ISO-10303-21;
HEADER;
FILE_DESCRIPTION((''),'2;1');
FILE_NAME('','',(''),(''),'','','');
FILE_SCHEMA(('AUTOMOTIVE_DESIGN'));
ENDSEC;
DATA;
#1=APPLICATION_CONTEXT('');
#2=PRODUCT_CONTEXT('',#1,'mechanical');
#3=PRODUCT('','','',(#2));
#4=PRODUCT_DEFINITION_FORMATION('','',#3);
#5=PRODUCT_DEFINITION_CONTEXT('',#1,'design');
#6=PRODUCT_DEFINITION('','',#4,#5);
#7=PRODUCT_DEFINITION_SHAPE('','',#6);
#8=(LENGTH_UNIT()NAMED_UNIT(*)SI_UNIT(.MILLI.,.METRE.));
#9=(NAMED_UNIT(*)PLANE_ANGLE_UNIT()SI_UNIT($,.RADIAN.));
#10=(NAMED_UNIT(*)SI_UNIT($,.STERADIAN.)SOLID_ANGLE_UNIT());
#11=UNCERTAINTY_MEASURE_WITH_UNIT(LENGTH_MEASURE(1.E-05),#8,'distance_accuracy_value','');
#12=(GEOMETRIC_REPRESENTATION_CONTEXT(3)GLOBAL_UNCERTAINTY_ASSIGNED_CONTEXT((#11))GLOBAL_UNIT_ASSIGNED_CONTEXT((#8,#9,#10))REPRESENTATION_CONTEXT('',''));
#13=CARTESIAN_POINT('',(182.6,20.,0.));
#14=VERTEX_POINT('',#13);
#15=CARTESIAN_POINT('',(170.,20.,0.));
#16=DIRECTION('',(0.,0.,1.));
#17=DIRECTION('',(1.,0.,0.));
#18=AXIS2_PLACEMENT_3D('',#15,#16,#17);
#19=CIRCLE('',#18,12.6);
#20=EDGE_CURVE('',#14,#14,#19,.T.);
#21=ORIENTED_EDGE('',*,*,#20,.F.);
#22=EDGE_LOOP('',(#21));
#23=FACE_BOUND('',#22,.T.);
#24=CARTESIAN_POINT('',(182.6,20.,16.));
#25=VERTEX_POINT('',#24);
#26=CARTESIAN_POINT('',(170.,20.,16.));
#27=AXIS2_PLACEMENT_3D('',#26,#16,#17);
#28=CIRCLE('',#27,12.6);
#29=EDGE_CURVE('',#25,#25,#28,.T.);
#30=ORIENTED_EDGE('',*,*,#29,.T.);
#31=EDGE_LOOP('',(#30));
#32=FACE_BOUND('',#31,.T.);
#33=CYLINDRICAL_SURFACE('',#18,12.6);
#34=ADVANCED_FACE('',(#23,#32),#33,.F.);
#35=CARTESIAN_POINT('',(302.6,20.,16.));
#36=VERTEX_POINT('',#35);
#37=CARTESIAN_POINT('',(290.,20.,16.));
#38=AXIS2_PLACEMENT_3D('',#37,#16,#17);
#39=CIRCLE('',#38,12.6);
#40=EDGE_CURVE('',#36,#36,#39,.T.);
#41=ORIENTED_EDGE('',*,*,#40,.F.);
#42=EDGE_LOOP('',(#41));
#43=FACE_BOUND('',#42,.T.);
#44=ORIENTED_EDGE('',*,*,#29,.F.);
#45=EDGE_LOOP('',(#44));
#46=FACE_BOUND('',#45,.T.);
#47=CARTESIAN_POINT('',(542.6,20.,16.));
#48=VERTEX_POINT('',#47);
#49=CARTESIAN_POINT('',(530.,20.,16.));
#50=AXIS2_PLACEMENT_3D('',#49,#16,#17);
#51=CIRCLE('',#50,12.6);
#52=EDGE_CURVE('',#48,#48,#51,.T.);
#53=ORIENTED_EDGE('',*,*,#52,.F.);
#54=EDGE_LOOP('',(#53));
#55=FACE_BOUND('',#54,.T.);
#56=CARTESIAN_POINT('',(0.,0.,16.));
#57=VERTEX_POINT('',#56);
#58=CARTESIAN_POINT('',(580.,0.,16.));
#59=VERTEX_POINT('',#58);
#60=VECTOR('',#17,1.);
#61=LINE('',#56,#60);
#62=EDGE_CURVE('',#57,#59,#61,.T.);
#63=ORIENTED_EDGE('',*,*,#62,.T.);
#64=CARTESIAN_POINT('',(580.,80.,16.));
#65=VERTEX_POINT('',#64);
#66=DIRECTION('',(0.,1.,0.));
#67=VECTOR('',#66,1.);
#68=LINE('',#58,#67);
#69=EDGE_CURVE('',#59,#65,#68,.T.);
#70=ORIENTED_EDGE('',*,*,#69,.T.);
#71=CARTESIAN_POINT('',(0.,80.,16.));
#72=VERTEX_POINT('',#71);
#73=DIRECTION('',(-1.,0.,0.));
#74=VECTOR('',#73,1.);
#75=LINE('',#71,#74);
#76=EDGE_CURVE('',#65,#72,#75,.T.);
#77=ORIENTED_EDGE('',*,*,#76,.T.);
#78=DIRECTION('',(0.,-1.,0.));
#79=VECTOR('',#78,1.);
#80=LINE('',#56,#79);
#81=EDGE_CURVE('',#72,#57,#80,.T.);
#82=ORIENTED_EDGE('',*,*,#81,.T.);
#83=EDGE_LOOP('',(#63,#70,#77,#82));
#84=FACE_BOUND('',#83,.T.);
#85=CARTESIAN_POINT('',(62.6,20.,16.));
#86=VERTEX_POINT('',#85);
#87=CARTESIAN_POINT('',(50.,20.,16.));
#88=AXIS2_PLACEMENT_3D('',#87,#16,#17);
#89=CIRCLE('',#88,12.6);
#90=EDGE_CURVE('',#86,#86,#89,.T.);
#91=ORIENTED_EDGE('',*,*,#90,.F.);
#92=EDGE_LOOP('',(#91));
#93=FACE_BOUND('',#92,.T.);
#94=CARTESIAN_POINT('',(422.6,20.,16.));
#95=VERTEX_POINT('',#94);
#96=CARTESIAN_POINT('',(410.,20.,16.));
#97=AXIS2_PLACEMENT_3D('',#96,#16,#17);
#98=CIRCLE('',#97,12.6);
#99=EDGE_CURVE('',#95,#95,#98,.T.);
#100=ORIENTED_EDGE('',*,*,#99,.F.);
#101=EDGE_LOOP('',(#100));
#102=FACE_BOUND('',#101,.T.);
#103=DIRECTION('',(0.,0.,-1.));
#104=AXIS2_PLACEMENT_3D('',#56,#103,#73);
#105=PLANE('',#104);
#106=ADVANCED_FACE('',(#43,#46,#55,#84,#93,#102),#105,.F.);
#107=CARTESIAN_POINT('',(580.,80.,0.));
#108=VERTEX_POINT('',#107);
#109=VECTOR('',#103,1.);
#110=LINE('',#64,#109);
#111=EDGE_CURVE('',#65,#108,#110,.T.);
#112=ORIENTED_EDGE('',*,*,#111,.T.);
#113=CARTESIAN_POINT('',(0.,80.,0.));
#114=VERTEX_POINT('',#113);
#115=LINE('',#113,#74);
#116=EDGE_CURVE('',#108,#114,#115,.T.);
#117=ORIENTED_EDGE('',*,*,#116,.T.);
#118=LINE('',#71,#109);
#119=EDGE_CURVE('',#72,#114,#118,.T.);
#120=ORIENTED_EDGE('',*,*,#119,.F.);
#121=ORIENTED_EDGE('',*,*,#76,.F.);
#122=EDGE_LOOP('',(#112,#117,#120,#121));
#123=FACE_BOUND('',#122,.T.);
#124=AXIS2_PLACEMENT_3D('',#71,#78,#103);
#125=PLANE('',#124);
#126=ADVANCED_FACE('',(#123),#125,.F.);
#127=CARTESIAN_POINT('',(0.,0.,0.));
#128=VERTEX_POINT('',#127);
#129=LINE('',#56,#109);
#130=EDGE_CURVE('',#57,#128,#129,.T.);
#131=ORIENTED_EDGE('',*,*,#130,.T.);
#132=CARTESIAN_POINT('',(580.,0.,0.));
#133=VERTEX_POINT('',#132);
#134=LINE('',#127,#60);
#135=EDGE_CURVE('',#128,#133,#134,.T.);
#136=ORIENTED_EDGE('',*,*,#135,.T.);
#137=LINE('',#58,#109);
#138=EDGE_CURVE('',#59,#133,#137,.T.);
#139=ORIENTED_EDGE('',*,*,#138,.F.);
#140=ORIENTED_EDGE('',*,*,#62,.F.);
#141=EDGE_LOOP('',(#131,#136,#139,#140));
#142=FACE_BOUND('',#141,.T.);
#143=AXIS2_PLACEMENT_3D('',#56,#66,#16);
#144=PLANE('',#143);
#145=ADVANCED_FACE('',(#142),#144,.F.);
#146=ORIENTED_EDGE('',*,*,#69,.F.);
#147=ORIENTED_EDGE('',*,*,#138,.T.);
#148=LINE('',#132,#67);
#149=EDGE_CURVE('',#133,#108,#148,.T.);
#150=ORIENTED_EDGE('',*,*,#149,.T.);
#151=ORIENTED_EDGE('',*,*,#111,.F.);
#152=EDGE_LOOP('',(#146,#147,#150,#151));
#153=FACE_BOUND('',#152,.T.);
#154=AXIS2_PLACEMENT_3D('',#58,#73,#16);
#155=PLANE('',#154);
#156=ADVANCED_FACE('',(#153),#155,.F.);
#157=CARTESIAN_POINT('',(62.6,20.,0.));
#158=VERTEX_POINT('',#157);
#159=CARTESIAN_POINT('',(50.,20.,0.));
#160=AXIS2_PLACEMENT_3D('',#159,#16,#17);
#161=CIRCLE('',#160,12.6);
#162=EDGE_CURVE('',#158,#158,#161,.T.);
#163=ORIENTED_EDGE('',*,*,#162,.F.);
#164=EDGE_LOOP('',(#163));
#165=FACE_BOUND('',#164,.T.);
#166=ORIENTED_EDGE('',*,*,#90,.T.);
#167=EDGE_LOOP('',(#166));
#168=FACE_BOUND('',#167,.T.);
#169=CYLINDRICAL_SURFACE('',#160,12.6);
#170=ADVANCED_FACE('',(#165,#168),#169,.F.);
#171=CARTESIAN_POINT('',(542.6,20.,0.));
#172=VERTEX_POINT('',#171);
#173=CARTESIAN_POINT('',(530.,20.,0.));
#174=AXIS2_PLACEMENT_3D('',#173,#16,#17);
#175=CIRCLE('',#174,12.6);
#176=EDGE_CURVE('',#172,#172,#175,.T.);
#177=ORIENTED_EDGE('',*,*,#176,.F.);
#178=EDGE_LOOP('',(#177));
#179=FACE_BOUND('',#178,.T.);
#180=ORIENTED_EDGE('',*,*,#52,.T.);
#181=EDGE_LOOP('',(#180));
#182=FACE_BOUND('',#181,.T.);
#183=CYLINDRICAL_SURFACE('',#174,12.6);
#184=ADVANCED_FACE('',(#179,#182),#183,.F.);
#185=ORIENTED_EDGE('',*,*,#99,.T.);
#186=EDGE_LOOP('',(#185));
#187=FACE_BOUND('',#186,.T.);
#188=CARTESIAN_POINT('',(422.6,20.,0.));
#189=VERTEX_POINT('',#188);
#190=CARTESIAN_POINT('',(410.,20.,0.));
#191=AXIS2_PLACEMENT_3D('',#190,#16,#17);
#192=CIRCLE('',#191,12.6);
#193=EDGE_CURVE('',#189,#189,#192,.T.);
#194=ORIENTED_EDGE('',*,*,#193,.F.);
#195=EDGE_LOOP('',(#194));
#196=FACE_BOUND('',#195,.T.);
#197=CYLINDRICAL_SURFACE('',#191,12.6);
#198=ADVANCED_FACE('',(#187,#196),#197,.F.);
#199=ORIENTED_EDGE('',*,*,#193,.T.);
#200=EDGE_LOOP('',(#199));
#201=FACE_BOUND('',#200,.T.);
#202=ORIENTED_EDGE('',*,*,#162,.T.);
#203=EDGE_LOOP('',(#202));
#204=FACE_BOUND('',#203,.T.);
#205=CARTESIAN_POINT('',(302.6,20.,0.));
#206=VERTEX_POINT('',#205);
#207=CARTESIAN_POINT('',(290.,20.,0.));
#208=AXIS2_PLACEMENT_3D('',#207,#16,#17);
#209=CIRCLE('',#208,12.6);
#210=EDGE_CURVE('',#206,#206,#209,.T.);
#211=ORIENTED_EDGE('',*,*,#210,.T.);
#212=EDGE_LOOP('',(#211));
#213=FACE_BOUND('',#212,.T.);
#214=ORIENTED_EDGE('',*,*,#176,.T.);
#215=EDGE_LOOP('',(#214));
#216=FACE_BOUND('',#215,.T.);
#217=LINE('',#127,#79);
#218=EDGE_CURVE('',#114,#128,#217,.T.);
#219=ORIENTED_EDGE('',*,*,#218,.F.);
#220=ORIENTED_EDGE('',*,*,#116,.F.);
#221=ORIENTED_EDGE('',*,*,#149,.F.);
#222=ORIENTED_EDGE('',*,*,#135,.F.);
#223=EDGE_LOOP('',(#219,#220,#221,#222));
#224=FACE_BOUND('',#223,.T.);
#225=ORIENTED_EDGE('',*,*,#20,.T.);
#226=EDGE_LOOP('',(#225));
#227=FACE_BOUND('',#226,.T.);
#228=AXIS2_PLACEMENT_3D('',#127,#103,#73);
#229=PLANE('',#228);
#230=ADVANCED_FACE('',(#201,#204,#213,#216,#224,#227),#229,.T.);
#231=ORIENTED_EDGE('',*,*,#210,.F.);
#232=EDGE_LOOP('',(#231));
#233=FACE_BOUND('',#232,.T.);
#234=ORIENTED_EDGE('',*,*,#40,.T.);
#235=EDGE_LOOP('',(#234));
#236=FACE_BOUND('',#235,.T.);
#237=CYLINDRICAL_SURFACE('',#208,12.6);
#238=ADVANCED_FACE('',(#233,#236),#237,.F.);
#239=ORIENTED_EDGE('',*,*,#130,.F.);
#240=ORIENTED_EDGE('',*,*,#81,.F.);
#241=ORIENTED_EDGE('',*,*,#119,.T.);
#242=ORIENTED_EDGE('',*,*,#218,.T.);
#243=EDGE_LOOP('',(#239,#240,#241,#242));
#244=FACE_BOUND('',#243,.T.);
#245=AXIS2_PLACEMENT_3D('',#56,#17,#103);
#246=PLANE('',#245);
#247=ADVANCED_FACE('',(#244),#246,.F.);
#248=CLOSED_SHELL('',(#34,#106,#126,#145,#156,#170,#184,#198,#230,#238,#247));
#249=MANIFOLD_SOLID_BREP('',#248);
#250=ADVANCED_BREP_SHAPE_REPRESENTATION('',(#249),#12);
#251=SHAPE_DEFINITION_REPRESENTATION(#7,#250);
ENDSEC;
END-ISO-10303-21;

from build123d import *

# Parameters (mm, degrees)
SKETCH1_W           = 580
SKETCH1_H           = 80
BOSS_EXTRUDE1_DEPTH = 16
SKETCH2_R           = 12.6
CUT_EXTRUDE1_DEPTH  = 16
SKETCH4_R           = 12.6
CUT_EXTRUDE2_DEPTH  = 16
SKETCH5_R           = 12.6
CUT_EXTRUDE3_DEPTH  = 16


with BuildPart() as part:
    # Sketch1 → Boss-Extrude1 (new body)
    with BuildSketch(Plane.XY):
        with Locations((290, 40)):
            Rectangle(SKETCH1_W, SKETCH1_H)
    extrude(amount=BOSS_EXTRUDE1_DEPTH)

    # Sketch2 → Cut-Extrude1 (cut)
    with BuildSketch(Plane.XY.offset(16)):
        with Locations((50, 20)):
            Circle(SKETCH2_R)
    extrude(amount=-CUT_EXTRUDE1_DEPTH, mode=Mode.SUBTRACT)

    # Sketch4 → Cut-Extrude2 (cut)
    with BuildSketch(Plane.XY.offset(16)):
        with Locations((170, 20)):
            Circle(SKETCH4_R)
    extrude(amount=-CUT_EXTRUDE2_DEPTH, mode=Mode.SUBTRACT)

    # Sketch5 → Cut-Extrude3 (cut)
    with BuildSketch(Plane.XY.offset(16)):
        with Locations((290, 20)):
            Circle(SKETCH5_R)
        with Locations((410, 20)):
            Circle(SKETCH5_R)
        with Locations((530, 20)):
            Circle(SKETCH5_R)
    extrude(amount=-CUT_EXTRUDE3_DEPTH, mode=Mode.SUBTRACT)


solid = part.part
